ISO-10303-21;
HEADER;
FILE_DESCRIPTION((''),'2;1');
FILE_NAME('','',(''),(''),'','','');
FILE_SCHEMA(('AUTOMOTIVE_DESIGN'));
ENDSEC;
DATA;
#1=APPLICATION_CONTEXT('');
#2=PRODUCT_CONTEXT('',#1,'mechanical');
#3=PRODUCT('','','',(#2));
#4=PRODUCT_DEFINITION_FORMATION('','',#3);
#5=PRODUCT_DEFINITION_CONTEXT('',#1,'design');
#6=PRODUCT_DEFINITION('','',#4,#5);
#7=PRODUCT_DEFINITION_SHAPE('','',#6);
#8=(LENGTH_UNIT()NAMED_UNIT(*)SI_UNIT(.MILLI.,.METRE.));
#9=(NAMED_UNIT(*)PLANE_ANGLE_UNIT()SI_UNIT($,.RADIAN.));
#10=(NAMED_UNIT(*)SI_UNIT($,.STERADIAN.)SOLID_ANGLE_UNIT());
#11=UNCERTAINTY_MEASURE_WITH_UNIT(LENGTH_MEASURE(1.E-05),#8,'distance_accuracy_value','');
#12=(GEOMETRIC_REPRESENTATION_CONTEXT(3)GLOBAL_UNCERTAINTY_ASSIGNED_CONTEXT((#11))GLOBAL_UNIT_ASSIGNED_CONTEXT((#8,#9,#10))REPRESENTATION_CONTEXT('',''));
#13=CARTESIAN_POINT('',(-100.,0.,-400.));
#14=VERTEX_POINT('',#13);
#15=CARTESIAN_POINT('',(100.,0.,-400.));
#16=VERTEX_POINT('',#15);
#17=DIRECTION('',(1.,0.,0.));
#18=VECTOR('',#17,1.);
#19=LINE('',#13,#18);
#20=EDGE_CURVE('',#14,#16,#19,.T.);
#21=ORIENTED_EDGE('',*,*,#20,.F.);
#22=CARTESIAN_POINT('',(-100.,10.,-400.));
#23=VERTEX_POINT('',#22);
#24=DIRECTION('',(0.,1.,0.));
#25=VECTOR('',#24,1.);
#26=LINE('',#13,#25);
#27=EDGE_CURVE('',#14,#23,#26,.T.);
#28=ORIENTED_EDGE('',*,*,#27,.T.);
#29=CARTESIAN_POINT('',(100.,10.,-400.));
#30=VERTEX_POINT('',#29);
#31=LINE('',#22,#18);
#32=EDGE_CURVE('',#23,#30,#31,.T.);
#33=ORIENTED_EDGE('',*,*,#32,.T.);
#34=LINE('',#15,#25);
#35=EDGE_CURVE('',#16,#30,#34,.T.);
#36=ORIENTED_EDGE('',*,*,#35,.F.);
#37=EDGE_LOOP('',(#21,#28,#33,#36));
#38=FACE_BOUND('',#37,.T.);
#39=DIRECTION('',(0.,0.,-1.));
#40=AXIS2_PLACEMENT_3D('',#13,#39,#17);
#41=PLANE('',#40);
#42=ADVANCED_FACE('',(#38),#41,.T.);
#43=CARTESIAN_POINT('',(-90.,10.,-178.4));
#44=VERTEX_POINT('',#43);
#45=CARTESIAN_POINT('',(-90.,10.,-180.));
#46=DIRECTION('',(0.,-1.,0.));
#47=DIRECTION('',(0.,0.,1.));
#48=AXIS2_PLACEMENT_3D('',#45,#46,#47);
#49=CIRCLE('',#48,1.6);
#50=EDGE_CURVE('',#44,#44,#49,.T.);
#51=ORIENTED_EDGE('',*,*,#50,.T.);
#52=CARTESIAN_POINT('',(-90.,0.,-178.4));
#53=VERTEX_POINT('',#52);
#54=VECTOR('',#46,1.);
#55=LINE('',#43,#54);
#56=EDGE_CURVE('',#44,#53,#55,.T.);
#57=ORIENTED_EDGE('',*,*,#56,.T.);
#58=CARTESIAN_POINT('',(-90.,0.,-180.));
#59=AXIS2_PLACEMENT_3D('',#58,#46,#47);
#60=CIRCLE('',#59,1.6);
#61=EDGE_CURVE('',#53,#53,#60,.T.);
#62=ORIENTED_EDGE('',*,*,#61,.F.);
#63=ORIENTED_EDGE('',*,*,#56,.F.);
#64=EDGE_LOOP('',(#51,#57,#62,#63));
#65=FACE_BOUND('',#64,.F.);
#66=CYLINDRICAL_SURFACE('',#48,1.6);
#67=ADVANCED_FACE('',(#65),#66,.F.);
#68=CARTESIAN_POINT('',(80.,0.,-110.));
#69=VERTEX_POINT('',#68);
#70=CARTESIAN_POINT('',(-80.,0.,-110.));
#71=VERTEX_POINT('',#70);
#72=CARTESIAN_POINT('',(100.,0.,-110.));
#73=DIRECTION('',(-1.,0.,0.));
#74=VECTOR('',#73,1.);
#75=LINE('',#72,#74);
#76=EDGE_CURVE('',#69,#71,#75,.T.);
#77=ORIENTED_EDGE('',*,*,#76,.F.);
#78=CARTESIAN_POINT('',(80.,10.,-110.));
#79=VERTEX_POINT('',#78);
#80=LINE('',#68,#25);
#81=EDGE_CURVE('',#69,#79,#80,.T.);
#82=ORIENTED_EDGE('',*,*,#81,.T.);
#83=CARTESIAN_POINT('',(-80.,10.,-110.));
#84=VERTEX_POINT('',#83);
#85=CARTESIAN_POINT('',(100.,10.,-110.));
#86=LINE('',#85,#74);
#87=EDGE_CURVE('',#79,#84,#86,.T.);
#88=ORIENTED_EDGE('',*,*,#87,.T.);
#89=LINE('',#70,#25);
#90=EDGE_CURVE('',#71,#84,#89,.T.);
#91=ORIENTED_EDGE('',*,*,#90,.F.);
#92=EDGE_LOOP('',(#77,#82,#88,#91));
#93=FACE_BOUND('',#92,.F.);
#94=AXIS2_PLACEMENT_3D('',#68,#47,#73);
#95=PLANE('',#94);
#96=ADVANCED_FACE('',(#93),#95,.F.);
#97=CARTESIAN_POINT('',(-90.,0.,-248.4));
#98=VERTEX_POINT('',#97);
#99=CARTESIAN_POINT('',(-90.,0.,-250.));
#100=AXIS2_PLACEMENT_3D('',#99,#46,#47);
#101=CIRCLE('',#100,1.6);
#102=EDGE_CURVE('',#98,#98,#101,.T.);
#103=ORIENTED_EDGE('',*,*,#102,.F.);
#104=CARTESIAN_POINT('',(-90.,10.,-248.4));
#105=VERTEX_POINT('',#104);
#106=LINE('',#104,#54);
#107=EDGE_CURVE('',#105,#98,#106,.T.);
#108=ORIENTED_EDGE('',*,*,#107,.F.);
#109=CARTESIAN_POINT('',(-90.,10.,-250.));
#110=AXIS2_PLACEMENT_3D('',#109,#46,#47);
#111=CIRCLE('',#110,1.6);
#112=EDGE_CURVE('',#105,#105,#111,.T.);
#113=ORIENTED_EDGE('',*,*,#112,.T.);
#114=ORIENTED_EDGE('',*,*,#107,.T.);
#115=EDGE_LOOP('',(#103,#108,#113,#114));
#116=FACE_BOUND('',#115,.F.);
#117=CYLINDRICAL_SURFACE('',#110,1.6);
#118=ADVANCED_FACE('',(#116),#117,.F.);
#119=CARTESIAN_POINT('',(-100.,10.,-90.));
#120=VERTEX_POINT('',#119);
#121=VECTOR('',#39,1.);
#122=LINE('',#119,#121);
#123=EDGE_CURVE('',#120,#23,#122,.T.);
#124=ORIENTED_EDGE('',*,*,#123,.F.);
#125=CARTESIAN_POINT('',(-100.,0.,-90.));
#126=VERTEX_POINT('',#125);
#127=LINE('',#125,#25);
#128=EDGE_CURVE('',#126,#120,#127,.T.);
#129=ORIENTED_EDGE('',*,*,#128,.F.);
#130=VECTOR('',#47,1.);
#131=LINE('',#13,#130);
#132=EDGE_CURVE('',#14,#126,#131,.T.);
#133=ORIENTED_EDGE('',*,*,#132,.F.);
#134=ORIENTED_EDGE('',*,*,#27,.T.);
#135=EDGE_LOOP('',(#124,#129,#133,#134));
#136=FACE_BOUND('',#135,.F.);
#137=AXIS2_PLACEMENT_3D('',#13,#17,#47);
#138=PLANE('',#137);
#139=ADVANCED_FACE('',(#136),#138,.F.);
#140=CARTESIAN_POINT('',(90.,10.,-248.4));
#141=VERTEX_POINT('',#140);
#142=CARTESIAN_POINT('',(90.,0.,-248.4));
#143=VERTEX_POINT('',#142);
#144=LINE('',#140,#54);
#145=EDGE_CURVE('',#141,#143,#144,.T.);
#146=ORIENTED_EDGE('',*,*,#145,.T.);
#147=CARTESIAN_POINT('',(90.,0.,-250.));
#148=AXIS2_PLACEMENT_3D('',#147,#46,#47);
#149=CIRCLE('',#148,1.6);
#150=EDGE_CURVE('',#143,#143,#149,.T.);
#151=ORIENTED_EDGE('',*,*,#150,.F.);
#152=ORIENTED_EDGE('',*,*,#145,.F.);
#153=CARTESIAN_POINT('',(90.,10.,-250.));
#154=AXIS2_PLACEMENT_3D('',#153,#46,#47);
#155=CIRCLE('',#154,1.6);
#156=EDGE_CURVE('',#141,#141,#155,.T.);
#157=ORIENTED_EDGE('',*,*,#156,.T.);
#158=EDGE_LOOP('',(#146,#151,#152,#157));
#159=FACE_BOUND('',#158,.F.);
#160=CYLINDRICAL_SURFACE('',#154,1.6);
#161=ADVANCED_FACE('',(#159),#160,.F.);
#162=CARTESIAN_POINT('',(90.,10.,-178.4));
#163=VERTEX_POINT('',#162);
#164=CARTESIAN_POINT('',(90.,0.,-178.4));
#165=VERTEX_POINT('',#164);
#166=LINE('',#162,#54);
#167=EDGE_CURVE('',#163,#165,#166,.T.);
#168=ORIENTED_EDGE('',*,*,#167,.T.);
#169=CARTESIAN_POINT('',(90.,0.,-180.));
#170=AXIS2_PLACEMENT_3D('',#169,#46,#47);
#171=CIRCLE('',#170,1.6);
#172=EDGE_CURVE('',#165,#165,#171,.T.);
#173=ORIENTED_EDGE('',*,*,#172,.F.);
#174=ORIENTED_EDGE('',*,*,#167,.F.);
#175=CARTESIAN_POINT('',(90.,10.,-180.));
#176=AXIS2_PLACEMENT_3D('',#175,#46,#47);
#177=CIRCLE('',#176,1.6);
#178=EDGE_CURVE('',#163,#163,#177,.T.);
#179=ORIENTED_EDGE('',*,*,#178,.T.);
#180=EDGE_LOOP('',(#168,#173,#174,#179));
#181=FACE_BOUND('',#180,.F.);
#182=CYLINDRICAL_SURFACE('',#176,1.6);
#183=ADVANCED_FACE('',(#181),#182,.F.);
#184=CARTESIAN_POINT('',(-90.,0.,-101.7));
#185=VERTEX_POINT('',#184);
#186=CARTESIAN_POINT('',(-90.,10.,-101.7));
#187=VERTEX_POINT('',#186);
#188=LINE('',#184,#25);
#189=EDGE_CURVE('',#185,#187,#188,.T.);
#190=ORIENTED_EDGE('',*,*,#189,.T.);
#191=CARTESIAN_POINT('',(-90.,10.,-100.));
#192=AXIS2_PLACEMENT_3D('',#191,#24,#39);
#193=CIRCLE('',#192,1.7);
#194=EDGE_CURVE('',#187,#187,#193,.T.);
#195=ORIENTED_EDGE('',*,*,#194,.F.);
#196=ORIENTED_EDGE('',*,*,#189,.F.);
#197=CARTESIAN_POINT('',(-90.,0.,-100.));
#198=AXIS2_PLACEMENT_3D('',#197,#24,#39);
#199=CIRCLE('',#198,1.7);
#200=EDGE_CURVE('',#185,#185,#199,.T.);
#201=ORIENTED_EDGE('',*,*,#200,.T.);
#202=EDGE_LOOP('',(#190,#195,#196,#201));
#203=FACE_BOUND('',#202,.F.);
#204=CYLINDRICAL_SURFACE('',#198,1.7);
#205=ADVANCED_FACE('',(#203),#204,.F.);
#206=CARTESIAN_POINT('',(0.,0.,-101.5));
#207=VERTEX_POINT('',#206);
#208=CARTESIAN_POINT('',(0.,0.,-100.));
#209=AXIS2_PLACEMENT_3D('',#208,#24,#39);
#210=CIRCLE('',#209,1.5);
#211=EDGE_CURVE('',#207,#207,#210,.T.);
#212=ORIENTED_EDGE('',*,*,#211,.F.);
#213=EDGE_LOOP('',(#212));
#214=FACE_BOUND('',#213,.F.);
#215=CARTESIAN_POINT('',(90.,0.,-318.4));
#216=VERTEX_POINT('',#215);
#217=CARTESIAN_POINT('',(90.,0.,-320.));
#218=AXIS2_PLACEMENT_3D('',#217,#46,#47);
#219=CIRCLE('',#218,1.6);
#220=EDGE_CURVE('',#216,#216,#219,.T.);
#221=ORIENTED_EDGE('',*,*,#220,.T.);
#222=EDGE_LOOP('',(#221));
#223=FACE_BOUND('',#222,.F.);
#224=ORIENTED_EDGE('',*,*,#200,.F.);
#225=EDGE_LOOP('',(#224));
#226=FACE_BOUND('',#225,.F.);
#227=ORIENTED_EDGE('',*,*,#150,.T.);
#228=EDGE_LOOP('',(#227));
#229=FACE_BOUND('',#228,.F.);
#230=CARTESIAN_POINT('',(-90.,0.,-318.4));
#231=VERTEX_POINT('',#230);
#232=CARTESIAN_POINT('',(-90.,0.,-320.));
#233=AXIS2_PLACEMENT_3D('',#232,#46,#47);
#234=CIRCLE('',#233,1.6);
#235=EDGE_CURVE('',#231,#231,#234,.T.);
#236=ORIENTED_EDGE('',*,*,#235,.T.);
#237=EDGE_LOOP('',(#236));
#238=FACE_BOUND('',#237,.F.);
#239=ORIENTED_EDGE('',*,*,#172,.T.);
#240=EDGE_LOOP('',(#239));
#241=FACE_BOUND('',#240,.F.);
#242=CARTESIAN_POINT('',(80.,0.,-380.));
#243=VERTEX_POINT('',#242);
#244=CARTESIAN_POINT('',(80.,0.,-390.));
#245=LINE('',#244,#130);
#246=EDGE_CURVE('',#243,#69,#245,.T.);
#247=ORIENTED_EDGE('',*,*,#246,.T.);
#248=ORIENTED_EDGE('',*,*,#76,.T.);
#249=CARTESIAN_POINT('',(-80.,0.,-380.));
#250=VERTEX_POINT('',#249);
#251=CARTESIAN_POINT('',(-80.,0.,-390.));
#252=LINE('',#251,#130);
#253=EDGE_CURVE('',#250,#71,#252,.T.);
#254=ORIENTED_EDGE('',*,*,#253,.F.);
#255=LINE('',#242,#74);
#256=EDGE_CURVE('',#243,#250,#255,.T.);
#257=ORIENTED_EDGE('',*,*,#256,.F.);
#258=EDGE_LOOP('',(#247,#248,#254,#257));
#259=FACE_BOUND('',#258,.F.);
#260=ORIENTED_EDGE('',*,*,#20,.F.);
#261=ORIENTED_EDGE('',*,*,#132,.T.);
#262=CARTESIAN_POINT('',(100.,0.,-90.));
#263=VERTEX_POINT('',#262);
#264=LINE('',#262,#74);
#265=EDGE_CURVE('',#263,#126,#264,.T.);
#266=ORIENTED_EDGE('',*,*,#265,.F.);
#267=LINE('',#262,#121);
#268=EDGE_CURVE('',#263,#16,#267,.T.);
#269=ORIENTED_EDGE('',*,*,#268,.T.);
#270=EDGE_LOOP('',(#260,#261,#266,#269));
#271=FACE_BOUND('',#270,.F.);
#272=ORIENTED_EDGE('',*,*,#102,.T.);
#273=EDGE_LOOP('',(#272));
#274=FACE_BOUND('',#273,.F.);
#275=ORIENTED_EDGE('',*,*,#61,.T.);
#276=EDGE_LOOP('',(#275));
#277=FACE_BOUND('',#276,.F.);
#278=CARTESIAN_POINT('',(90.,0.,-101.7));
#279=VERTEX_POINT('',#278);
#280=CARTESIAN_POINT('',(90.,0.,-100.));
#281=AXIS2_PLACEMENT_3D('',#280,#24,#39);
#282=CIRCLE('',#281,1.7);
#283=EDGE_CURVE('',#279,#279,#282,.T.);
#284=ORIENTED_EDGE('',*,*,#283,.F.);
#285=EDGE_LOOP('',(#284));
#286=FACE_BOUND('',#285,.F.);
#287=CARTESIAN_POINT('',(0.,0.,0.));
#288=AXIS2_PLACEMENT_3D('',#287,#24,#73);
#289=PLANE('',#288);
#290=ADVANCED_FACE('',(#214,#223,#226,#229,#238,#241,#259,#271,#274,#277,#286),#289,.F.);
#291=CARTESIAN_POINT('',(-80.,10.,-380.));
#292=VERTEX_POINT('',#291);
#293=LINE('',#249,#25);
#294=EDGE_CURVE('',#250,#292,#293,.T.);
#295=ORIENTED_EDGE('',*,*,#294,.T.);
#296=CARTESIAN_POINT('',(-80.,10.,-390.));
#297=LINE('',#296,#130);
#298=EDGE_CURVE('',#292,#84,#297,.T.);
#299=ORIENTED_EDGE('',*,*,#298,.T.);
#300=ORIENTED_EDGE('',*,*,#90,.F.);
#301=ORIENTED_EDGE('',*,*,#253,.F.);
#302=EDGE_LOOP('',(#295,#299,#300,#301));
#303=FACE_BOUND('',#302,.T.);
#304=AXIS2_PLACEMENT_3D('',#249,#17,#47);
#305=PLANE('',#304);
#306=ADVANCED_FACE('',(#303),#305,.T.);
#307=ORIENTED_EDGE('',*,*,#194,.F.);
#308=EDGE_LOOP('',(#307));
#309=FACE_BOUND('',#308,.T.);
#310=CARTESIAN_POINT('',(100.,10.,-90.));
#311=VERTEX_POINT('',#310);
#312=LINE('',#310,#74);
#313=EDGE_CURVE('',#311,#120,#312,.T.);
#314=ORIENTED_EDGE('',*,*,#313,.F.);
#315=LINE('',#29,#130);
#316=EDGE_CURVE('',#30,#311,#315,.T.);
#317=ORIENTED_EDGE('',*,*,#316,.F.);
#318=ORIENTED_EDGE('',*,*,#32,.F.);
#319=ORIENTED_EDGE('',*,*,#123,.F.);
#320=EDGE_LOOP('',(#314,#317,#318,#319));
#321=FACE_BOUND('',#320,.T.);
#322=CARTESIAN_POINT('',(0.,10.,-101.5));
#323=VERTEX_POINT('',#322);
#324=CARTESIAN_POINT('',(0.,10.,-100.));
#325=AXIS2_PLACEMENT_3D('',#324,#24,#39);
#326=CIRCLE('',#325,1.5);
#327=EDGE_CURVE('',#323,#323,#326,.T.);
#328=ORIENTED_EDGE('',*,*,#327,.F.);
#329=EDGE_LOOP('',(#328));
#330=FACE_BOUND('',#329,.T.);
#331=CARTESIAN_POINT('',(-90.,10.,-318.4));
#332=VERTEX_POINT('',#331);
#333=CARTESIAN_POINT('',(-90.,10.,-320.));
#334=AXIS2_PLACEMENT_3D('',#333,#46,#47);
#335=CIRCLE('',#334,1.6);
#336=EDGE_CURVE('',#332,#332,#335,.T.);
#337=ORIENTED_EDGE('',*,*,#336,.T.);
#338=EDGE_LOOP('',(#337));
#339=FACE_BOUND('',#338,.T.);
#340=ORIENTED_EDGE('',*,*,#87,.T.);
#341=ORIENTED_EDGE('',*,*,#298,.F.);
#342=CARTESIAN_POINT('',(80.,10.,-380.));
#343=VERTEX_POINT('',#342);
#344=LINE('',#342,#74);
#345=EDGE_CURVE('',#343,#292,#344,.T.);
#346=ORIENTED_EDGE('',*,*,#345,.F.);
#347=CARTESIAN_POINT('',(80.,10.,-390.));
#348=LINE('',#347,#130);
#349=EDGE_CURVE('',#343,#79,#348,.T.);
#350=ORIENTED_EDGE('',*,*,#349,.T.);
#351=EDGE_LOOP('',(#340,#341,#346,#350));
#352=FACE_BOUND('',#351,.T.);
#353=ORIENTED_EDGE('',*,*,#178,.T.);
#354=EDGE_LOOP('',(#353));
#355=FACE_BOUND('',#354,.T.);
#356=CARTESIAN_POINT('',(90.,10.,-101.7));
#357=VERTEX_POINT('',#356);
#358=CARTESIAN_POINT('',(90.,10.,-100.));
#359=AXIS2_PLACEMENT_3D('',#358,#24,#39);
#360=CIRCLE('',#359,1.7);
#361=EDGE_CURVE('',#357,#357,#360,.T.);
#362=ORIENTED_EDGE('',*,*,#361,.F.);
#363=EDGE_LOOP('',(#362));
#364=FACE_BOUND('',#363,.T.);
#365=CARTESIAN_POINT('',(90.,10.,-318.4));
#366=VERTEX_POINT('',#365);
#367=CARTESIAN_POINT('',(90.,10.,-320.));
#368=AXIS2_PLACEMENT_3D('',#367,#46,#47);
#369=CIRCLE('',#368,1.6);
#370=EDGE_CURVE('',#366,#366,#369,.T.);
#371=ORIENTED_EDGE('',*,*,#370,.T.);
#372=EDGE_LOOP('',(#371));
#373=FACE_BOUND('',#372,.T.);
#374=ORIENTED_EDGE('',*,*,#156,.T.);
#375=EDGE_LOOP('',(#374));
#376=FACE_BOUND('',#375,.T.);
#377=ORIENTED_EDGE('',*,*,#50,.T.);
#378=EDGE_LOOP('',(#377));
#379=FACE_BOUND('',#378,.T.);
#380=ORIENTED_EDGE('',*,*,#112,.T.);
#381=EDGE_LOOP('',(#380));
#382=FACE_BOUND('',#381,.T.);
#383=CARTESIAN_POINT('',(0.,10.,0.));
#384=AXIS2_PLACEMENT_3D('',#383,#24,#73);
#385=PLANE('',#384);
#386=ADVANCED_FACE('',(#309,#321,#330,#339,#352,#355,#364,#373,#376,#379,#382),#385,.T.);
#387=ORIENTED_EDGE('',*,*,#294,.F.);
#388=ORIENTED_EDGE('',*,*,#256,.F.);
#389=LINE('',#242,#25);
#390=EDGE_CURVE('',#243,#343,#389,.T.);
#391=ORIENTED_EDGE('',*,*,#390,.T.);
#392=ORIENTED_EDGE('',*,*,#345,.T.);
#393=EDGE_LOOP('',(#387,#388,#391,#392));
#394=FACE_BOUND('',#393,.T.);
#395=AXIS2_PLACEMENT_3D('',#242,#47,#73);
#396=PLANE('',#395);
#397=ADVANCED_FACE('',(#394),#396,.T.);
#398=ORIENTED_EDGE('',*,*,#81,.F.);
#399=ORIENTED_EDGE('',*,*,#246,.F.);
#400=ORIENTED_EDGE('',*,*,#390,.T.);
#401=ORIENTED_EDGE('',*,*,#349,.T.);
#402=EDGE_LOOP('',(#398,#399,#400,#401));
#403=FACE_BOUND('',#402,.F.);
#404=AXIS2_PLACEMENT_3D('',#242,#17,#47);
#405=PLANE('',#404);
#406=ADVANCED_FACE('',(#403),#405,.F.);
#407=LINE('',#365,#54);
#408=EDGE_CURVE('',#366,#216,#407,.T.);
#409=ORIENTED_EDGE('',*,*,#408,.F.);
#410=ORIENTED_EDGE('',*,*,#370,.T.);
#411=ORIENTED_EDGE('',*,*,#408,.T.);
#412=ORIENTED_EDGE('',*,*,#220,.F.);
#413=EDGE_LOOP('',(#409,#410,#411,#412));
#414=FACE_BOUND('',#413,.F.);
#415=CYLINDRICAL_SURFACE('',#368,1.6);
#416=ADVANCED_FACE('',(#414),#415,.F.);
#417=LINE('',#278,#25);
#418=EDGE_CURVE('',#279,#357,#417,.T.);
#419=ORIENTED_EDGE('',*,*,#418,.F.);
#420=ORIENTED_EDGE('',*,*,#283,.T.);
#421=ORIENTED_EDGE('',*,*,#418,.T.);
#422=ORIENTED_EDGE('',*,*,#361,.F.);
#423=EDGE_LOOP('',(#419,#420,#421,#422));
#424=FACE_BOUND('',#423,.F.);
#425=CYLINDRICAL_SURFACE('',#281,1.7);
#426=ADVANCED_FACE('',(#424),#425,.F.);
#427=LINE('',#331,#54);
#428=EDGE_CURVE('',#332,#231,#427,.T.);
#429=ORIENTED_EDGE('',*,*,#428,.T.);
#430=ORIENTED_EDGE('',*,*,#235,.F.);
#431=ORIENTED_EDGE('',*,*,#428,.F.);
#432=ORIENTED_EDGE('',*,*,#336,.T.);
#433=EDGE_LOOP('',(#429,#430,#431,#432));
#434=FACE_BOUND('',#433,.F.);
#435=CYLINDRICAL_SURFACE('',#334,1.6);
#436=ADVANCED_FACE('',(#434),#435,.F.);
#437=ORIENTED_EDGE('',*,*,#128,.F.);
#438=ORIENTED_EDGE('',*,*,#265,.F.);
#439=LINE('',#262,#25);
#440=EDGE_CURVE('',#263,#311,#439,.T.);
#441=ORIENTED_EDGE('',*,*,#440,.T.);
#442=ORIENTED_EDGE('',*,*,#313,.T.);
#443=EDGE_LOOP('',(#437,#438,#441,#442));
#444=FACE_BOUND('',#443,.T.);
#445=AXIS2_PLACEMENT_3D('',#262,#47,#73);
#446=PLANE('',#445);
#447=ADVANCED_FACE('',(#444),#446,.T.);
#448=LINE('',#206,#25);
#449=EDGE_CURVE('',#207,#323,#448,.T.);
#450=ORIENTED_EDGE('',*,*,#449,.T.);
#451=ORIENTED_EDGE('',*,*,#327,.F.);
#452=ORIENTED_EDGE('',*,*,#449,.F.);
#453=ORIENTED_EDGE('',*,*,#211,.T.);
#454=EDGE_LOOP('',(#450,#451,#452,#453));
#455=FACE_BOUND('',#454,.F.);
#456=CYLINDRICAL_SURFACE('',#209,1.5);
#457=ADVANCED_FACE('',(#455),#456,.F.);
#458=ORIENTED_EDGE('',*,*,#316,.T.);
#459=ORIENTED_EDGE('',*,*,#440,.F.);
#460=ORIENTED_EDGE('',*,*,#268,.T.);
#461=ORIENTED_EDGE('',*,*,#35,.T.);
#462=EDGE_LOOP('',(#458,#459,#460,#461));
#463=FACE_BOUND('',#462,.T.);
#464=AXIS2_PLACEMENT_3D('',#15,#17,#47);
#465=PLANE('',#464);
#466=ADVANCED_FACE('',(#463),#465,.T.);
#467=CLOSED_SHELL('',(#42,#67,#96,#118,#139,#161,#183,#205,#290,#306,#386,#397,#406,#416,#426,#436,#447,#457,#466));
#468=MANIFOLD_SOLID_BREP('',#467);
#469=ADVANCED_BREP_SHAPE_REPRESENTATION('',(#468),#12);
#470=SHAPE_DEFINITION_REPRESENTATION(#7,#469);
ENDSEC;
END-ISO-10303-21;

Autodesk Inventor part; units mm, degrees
ref_plane "YZ Plane" through (0, 0, 0) normal (1, 0, 0) x (0, 1, 0)
ref_plane "XZ Plane" through (0, 0, 0) normal (0, 1, 0) x (-1, 0, 0)
ref_plane "XY Plane" through (0, 0, 0) normal (0, 0, 1) x (1, 0, 0)
sketch "Sketch1" plane through (0, 0, 0) normal (0, 1, 0) x (-1, 0, 0)
  line L0 (100, -400) -> (-100, -400)
  line L1 (-100, -400) -> (-100, -110)
  line L2 (-100, -110) -> (100, -110)
  line L3 (100, -400) -> (100, -110)
  line L4 (100, -110) -> (100, -400)
  line L5 (-100, -90) -> (100, -90)
  line L6 (100, -110) -> (100, -90)
  line L7 (-100, -110) -> (-100, -90)
  line L8 (-80, -390) -> (-80, -110)
  line L9 (80, -390) -> (80, -110)
  line L10 (-80, -380) -> (80, -380)
  point P0 (0, -100)
  point P1 (90, -100)
  point P2 (-90, -100)
  dimension "d126" = 160
  dimension "d160" = 290
extrude "Extrusion1" add sketch "Sketch1" along normal blind 10 contours L0 L1 L2 L8 L10 L9 L3 | L2 L7 L5 L6
sketch "Sketch12" plane through (0, 10, 0) normal (0, 1, 0) x (1, 0, 0)
  line L0 (90, 400) -> (90, 320)
  line L1 (90, 320) -> (90, 250)
  line L2 (90, 250) -> (90, 180)
  point P0 (0, 0)
  dimension "d132" = 80
  dimension "d134" = 70
  dimension "d135" = 70
hole "Hole9" at (90, 10, -320) at (90, 10, -250) at (90, 10, -180) direction (0, -1, 0) diameter 3.2 end through all clearance for "Socket Head Cap Screw ISO 4762" size "M3" standard "ISO"
pattern_linear "Rectangular Pattern1" count 2 spacing 180 along (-1, 0, 0) of "Hole9"
hole "Hole12" at (90, 0, -100) at (-90, 0, -100) direction (0, 1, 0) diameter 3.4 end through all clearance for "Socket Head Cap Screw ISO 4762" size "M3" standard "ISO"
hole "Hole13" at (0, 0, -100) direction (0, 1, 0) diameter 3 end through all
properties part number "Aufhängung_Seitenteil_Koppeltest_außen"
